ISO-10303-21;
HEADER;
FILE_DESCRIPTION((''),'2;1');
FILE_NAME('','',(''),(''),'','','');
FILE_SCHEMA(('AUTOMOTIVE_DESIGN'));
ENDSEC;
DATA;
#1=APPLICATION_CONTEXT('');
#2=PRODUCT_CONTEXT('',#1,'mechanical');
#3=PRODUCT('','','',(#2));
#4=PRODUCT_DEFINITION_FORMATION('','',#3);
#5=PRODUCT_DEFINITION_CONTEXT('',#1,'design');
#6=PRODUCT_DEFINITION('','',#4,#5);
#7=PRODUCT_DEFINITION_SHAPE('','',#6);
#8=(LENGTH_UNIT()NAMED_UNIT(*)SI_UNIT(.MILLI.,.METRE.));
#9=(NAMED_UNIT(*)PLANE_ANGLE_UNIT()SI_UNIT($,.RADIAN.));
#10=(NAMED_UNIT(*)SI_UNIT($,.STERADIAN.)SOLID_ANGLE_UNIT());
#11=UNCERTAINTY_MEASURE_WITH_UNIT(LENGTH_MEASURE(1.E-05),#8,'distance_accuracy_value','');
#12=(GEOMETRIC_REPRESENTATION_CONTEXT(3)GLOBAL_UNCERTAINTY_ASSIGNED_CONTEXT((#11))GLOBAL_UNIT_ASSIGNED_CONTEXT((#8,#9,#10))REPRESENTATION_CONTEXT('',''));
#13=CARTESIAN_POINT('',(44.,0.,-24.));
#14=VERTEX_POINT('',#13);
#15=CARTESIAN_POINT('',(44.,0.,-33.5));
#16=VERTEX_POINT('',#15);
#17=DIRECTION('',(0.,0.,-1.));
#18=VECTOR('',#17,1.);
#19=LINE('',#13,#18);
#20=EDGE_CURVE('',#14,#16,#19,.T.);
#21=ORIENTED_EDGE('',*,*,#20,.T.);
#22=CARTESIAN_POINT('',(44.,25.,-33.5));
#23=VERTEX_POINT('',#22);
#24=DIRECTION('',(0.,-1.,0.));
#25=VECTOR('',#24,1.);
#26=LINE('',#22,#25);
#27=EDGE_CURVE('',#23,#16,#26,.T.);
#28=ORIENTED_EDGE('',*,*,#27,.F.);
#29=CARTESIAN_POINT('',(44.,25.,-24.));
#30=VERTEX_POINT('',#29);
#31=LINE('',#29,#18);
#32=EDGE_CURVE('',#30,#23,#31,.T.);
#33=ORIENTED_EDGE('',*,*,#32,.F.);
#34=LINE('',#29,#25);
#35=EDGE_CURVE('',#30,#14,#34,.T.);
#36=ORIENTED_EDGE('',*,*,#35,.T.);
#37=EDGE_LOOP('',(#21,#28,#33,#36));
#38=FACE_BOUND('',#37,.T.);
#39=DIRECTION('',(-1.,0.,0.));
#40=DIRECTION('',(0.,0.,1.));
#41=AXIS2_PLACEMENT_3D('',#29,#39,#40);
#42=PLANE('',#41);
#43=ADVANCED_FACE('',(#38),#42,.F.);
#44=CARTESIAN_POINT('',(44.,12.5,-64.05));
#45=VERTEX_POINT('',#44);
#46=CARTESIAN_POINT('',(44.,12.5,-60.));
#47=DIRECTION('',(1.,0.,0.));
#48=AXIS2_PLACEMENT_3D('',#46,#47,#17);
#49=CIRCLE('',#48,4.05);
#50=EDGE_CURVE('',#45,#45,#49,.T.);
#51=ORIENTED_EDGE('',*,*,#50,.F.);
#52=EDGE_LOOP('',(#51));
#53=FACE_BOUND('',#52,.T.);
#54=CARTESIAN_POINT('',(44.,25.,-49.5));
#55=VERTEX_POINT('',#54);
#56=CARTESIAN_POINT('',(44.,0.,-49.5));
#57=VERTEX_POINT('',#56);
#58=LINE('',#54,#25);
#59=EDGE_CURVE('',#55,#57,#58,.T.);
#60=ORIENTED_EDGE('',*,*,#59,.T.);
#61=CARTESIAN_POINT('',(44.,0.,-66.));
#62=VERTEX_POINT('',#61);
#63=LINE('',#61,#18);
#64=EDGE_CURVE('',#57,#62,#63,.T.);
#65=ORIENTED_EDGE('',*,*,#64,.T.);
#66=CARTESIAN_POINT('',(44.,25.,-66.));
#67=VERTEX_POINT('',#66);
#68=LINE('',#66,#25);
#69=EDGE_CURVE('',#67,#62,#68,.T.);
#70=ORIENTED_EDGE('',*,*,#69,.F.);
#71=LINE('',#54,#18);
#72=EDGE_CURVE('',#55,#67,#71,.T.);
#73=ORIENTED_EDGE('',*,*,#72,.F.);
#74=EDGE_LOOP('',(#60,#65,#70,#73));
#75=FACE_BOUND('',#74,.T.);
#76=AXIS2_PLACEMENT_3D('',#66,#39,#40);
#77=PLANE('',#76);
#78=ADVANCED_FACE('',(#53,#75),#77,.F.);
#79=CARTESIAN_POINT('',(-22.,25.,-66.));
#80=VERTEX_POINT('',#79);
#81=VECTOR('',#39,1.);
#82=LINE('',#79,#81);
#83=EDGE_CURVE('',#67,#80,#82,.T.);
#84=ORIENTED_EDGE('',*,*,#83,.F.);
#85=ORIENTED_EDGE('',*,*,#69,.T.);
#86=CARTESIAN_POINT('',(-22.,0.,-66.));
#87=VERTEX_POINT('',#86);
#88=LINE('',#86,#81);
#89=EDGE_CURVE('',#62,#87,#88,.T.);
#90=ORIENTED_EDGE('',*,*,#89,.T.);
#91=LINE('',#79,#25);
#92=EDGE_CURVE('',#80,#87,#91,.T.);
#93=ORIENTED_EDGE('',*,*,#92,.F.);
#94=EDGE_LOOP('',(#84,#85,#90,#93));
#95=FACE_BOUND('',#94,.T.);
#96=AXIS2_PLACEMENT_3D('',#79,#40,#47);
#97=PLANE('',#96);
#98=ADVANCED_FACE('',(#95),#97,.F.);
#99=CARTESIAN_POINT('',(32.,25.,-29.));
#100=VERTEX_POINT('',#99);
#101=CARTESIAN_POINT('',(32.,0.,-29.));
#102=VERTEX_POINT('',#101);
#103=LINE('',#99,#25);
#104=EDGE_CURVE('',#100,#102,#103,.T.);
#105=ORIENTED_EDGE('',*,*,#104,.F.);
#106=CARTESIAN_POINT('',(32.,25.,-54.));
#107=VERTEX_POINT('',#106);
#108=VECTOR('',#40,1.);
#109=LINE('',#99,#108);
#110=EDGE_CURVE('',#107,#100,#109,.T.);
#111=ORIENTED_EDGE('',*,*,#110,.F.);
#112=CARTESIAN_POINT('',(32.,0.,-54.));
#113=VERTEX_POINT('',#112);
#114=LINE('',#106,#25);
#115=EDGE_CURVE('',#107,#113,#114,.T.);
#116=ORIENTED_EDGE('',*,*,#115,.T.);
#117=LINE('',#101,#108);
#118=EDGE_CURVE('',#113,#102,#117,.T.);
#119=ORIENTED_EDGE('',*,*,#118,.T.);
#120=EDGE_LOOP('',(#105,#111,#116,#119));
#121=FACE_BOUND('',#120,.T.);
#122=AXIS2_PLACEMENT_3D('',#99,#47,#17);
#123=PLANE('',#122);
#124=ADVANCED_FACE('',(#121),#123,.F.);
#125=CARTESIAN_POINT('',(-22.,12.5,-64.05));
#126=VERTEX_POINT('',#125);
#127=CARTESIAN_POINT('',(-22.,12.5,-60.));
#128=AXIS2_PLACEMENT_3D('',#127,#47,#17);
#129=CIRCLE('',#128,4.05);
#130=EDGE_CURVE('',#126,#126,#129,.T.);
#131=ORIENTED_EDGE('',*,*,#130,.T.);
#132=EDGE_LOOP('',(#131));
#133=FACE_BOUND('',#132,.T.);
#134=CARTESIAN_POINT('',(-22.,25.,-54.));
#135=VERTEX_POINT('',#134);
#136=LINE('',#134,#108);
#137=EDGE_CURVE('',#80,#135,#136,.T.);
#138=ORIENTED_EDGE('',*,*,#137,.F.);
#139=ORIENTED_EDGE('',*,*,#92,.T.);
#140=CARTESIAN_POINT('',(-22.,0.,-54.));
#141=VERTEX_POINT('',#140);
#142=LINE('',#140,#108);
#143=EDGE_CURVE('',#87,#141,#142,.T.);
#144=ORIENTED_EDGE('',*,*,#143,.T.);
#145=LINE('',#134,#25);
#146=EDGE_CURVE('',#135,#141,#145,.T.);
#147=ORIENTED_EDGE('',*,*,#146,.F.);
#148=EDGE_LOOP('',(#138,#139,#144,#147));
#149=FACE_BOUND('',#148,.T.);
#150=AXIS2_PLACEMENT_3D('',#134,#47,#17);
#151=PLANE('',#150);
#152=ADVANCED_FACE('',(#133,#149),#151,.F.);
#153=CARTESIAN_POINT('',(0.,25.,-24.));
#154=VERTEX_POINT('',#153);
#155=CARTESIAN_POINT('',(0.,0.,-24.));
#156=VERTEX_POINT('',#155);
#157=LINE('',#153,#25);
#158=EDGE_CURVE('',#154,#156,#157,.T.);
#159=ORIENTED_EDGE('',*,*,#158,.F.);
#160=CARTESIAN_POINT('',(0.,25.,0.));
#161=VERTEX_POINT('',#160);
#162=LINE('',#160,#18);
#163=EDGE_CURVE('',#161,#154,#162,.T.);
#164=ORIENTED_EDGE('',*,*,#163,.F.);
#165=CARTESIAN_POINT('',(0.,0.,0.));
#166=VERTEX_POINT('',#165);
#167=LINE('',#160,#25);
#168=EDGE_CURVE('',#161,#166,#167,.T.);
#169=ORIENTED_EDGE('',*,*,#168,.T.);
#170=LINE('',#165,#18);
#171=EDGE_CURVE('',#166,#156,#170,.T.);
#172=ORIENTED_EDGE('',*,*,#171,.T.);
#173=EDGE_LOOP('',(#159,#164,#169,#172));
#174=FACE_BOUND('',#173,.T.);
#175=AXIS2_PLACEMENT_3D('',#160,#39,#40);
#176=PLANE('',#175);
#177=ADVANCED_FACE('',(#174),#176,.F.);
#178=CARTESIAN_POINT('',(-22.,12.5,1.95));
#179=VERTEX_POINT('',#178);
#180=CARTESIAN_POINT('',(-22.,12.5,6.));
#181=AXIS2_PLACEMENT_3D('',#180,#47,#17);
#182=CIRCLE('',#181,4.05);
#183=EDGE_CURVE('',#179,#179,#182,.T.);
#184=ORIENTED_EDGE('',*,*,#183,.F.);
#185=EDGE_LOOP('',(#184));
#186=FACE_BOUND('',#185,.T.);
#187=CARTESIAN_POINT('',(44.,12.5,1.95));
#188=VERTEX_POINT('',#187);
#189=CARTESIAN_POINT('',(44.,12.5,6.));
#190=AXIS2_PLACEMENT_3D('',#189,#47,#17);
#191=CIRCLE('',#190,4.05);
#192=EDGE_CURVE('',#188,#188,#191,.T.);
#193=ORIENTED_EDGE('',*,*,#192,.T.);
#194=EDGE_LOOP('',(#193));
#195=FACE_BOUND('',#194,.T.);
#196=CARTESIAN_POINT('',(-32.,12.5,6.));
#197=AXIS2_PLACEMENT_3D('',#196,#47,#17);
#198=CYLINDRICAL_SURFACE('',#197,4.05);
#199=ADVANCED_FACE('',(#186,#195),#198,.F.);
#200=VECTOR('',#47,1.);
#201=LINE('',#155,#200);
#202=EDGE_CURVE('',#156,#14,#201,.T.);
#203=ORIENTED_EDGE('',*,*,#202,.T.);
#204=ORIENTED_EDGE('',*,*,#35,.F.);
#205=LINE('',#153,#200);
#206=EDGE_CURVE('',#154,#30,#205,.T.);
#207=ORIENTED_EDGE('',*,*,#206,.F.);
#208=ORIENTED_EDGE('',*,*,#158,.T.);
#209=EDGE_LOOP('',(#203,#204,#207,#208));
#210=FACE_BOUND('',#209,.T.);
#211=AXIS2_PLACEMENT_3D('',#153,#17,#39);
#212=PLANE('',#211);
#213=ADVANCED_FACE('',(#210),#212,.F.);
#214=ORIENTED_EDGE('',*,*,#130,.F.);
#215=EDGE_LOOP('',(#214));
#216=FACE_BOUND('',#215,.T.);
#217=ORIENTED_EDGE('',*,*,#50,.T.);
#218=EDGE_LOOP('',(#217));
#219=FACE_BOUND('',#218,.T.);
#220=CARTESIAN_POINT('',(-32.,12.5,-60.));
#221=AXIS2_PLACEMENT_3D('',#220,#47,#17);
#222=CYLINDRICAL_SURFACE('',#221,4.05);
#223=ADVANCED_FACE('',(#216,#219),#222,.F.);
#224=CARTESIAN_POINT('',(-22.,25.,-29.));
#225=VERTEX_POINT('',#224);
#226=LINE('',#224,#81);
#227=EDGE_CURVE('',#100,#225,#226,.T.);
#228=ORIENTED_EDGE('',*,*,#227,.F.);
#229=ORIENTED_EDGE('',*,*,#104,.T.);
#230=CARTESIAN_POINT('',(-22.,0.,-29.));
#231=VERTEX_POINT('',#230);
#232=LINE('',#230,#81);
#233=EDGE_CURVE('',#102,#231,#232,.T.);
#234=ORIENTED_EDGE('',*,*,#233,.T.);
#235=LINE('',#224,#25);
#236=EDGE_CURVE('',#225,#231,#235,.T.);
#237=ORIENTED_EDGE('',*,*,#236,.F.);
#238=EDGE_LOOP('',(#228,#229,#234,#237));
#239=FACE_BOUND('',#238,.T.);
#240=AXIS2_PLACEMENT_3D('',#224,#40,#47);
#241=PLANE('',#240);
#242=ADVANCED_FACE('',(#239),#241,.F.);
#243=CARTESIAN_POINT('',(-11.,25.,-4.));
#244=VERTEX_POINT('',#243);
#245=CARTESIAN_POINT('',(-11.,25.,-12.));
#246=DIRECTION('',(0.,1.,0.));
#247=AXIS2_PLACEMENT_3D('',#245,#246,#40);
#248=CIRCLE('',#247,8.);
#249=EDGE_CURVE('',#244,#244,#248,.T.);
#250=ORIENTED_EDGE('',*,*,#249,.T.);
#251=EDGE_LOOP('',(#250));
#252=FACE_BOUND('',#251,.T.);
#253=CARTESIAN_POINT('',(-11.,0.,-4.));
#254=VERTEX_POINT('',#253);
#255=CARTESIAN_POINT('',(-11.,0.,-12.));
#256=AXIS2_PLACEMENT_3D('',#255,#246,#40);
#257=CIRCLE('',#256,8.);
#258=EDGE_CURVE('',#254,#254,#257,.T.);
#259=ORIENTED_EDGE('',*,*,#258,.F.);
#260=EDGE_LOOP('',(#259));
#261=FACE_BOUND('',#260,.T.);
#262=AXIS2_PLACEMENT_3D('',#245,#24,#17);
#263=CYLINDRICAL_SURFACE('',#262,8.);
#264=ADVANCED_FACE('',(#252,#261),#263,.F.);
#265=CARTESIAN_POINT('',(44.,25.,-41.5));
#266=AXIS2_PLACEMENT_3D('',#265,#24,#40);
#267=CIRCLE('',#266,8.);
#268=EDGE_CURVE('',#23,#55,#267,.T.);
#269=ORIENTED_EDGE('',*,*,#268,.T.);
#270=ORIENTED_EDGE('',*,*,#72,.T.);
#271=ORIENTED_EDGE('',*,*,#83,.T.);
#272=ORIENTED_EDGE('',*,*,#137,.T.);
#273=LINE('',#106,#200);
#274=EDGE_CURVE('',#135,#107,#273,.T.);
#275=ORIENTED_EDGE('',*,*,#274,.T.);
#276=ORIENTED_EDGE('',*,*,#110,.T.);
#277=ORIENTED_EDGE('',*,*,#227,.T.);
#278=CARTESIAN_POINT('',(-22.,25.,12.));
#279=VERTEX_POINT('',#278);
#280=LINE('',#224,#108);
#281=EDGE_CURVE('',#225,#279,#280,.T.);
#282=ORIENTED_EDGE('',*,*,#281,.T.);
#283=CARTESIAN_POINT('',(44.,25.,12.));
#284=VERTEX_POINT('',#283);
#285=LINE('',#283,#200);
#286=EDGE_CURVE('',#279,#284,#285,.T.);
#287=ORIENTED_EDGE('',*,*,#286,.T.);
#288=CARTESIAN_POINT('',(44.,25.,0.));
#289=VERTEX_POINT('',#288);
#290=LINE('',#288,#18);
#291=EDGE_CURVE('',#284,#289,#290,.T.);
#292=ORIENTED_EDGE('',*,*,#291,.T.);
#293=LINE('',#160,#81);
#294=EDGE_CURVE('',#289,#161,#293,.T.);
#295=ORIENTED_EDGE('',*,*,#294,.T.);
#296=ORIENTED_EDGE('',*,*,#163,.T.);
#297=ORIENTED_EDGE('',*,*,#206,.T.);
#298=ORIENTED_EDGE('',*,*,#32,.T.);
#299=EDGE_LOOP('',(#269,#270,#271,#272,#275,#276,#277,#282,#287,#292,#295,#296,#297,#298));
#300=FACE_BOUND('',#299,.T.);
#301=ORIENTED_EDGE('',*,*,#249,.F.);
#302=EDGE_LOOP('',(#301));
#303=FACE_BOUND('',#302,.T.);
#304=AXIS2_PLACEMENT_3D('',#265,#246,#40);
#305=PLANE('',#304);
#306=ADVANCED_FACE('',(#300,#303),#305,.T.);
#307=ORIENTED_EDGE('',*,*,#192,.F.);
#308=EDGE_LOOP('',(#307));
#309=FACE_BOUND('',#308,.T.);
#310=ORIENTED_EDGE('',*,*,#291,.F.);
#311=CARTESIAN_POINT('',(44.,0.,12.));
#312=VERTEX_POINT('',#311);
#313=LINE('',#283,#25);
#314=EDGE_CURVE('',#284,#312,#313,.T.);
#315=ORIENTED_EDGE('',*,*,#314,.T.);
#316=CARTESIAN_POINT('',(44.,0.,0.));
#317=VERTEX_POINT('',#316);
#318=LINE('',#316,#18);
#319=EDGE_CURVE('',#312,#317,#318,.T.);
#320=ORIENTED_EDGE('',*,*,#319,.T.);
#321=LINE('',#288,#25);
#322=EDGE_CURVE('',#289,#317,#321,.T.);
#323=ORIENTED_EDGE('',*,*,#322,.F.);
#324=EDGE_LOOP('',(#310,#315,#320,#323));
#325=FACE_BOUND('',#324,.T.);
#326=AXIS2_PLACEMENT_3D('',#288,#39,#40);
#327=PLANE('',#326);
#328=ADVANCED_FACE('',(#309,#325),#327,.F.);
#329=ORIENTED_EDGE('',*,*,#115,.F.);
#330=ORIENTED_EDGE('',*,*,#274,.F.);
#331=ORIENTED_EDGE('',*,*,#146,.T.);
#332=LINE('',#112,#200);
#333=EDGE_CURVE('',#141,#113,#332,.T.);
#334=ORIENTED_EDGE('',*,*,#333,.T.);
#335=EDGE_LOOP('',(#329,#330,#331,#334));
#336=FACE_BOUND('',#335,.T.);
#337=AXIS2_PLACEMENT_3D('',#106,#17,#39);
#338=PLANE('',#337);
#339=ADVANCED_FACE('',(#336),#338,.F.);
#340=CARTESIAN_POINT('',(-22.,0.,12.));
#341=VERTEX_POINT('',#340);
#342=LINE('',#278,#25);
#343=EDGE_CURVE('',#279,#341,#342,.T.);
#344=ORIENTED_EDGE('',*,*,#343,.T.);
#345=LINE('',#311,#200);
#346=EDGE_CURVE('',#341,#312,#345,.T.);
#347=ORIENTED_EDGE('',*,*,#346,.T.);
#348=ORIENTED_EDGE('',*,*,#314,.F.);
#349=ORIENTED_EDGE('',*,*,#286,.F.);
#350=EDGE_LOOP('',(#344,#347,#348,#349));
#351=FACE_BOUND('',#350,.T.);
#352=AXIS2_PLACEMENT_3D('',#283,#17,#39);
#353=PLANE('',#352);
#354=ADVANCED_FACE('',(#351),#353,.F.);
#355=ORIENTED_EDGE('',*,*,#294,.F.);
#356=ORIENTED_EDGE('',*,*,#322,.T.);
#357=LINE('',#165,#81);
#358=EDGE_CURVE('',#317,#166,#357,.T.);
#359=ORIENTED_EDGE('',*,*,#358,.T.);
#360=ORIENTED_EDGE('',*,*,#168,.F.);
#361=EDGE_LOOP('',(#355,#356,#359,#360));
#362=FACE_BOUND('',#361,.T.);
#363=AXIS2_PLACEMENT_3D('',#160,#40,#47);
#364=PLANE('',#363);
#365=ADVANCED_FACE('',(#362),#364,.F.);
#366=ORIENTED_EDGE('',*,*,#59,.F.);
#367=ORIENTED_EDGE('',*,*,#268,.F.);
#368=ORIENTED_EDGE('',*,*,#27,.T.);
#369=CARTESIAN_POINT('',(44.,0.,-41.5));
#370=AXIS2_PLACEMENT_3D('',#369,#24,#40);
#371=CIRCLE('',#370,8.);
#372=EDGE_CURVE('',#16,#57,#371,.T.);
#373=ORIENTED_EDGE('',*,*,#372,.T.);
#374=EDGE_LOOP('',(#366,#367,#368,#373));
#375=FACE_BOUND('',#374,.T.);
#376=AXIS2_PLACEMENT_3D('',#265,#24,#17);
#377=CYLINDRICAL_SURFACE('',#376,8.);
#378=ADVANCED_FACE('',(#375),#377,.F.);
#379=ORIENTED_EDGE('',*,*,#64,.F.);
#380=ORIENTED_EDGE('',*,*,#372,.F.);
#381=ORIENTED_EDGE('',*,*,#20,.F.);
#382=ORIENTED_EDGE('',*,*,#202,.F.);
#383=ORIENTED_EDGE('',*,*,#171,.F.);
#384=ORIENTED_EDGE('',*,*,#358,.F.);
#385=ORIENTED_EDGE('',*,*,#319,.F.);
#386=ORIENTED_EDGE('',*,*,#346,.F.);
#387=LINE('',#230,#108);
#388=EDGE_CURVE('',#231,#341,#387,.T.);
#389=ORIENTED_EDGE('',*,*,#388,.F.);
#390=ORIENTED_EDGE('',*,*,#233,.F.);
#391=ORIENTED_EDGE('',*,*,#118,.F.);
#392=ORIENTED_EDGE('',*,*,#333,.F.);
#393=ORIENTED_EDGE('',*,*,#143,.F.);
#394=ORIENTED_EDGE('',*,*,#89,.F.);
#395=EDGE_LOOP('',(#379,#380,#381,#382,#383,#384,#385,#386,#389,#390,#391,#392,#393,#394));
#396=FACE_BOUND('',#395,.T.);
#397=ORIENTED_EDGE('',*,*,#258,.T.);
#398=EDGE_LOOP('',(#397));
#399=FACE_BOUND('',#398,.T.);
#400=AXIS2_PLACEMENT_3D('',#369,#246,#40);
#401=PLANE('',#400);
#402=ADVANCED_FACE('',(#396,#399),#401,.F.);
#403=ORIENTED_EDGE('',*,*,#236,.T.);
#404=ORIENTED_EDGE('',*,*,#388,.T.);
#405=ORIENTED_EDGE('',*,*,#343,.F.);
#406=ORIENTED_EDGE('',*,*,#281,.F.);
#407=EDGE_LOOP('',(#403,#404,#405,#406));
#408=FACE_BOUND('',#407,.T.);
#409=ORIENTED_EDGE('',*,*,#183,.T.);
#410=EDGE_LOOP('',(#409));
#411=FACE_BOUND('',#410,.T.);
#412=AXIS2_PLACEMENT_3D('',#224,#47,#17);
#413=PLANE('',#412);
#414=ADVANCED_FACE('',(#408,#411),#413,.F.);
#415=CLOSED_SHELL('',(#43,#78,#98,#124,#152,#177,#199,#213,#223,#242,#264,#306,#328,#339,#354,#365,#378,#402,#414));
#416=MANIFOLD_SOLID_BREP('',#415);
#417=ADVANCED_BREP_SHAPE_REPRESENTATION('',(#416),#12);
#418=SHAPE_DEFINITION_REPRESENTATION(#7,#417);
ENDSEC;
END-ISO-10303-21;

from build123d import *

# Parameters (mm, degrees)
SKETCH1_R           = 8
BOSS_EXTRUDE1_DEPTH = 25
SKETCH2_R           = 4.05
CUT_EXTRUDE1_DEPTH  = 76


with BuildPart() as part:
    # Sketch1 → Boss-Extrude1 (new body)
    with BuildSketch(Plane(origin=(0, 0, 0), x_dir=(1, 0, 0), z_dir=(0, 1, 0))):
        with BuildLine():
            Line((0, 0), (0, 24))
            Line((0, 24), (44, 24))
            Line((44, 24), (44, 33.5))
            ThreePointArc((44, 33.5), (36, 41.5), (44, 49.5))
            Line((44, 49.5), (44, 54))
            Line((44, 54), (44, 66))
            Line((44, 66), (-22, 66))
            Line((-22, 66), (-22, 54))
            Line((-22, 54), (32, 54))
            Line((32, 54), (32, 29))
            Line((32, 29), (-22, 29))
            Line((-22, 29), (-22, -12))
            Line((-22, -12), (44, -12))
            Line((44, -12), (44, 0))
            Line((44, 0), (0, 0))
        make_face()
        with Locations(Location((-11, 12, 0), (0, 0, 270))):
            Circle(SKETCH1_R, mode=Mode.SUBTRACT)
    extrude(amount=BOSS_EXTRUDE1_DEPTH)

    # Sketch2 → Cut-Extrude1 (cut)
    with BuildSketch(Plane(origin=(44, 0, 0), x_dir=(0, 0, -1), z_dir=(1, 0, 0))):
        with Locations((-6, 12.5)):
            Circle(SKETCH2_R)
        with Locations((60, 12.5)):
            Circle(SKETCH2_R)
    extrude(amount=-CUT_EXTRUDE1_DEPTH, mode=Mode.SUBTRACT)


solid = part.part
